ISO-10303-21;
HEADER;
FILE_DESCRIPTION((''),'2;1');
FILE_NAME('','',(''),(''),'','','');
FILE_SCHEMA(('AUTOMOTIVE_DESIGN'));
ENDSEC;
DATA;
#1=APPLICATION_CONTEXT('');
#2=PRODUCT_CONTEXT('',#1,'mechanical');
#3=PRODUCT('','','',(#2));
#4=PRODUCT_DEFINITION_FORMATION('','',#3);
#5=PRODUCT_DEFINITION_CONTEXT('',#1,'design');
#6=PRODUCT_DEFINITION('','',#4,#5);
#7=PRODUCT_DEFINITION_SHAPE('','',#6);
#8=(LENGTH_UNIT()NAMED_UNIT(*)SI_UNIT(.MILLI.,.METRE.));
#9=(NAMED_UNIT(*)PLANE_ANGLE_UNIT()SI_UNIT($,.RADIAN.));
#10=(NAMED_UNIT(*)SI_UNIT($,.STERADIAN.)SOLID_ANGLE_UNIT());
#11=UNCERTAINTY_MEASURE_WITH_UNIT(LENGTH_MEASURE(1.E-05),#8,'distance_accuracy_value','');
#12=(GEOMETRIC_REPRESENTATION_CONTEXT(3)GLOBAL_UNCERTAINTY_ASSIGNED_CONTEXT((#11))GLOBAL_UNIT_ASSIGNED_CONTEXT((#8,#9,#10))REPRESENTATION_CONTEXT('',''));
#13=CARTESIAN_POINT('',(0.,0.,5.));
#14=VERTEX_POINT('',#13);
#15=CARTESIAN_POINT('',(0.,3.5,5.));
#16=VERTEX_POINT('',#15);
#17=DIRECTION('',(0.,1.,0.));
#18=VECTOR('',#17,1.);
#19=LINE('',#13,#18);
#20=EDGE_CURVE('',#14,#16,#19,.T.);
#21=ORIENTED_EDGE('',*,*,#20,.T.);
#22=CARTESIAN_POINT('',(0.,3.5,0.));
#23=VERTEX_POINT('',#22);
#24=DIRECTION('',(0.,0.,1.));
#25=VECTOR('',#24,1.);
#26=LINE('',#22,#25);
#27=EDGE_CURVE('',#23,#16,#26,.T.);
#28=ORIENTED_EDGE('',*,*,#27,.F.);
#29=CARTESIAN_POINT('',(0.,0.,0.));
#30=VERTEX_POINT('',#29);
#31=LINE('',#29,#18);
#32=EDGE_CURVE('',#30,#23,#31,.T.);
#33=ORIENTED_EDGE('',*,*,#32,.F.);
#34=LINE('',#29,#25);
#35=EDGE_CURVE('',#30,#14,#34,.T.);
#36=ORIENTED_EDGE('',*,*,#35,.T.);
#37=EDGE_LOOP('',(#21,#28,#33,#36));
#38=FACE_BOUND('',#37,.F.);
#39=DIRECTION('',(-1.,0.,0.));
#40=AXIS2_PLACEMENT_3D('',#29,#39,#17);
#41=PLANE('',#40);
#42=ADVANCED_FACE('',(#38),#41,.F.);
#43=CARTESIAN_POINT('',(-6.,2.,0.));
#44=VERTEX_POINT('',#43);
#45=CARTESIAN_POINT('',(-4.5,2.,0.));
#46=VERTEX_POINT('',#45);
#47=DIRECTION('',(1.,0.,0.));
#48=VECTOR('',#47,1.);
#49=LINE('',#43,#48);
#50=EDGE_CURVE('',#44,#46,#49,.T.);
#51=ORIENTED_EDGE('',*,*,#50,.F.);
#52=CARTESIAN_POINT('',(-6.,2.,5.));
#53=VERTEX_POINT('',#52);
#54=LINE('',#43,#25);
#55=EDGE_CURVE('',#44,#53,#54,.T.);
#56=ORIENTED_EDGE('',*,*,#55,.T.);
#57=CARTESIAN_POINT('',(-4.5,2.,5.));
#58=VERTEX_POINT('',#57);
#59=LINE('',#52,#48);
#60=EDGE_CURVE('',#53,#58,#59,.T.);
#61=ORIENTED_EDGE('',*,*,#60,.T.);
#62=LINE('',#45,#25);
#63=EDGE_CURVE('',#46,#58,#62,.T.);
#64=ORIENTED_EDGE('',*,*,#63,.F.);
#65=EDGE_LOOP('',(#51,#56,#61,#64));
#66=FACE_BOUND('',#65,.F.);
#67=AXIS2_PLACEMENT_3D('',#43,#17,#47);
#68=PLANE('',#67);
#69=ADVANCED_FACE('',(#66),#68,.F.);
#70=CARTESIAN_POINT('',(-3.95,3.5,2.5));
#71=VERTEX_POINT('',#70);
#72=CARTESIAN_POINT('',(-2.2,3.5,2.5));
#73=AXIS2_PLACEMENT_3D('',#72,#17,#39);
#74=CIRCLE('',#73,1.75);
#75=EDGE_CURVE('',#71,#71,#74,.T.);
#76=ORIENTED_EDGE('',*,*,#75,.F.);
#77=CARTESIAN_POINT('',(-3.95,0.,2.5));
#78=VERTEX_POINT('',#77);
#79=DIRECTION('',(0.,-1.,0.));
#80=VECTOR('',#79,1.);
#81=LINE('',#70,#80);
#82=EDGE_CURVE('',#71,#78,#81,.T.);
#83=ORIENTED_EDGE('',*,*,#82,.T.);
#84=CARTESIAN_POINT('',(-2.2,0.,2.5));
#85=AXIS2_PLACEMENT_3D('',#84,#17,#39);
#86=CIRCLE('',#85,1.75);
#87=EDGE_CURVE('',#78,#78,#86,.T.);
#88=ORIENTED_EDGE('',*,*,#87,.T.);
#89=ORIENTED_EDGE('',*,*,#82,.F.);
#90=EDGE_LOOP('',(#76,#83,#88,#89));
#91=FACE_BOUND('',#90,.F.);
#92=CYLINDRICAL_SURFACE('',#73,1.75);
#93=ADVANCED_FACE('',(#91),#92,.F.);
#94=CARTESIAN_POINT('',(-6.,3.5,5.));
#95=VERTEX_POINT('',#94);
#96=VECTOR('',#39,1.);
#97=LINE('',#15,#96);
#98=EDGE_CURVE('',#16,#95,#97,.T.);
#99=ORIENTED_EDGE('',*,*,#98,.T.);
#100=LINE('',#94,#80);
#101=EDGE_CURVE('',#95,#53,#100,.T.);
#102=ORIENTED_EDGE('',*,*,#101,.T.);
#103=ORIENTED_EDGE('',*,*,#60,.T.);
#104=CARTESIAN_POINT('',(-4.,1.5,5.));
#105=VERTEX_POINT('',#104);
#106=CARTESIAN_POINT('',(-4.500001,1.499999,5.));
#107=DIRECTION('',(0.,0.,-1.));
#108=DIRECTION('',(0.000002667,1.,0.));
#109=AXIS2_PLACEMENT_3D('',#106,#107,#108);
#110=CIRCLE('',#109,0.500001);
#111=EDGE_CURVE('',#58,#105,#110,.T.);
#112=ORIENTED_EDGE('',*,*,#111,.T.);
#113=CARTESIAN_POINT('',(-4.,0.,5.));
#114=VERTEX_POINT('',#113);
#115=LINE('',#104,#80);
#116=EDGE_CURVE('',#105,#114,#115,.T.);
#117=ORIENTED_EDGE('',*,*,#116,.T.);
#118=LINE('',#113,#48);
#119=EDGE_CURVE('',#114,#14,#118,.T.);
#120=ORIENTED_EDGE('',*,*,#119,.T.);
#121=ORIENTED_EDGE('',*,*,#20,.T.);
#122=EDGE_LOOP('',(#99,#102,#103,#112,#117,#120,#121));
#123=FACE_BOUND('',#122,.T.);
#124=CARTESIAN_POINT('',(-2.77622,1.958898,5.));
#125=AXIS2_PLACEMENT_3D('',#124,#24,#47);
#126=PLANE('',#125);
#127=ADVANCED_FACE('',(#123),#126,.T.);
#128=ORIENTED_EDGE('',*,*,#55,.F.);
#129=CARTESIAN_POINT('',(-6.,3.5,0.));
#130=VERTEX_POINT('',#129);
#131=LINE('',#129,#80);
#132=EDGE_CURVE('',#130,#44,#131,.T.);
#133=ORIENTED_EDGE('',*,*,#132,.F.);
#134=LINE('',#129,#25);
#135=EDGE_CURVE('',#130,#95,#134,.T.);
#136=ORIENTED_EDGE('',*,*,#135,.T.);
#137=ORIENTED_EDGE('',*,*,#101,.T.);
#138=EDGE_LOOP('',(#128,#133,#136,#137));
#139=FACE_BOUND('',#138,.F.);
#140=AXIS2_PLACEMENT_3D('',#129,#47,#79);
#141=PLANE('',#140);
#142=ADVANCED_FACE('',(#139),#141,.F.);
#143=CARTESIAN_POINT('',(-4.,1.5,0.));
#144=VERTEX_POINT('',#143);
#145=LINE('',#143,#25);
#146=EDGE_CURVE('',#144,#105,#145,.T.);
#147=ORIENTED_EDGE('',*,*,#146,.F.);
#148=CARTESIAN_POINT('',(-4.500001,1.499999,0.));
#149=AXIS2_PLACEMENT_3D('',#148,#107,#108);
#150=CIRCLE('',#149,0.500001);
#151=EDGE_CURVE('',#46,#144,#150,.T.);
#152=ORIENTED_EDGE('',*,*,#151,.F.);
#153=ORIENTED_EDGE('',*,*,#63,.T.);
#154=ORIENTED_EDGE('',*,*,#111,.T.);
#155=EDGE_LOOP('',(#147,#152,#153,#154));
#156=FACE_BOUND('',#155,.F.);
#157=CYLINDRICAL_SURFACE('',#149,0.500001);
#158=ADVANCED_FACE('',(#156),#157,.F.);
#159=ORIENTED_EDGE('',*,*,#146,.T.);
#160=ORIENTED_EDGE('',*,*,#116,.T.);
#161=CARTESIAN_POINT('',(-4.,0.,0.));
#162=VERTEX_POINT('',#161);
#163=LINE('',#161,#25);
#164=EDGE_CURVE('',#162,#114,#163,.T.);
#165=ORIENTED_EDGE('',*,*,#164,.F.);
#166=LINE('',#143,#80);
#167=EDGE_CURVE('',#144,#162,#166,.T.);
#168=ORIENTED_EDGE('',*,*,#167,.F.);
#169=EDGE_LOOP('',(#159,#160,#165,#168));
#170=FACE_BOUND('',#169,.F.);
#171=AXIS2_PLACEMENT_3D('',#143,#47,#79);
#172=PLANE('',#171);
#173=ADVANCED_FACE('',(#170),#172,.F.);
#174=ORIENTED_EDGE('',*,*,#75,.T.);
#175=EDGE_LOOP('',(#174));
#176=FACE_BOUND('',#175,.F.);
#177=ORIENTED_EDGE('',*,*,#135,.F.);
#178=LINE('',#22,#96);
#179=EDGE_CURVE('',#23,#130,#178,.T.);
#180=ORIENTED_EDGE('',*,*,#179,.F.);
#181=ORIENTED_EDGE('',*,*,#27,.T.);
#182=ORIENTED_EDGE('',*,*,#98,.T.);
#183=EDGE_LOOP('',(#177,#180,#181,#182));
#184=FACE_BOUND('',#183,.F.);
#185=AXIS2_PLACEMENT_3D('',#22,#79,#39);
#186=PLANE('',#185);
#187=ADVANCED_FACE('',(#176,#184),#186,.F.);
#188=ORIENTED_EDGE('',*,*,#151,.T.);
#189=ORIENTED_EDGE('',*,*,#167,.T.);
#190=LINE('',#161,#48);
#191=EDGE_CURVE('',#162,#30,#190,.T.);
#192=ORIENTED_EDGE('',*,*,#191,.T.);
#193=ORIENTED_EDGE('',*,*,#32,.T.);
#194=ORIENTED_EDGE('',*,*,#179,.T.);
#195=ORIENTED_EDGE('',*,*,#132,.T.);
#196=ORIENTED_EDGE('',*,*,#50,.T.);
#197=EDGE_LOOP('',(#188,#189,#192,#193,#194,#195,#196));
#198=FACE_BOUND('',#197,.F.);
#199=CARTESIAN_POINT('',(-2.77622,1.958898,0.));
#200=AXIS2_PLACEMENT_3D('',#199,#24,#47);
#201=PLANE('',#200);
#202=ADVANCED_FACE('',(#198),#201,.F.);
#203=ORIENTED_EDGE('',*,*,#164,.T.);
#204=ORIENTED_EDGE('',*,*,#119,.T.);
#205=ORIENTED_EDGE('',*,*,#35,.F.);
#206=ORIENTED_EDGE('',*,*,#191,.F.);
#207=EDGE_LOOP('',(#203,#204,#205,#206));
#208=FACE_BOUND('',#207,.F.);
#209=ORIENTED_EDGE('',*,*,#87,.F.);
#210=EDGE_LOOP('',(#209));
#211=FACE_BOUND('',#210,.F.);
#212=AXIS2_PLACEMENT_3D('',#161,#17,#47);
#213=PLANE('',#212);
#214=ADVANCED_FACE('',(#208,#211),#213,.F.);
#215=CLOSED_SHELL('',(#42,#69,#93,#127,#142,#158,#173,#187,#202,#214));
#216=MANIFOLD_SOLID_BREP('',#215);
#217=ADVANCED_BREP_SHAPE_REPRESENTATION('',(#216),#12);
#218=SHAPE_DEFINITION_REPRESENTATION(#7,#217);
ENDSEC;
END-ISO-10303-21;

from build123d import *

# Parameters (mm, degrees)
F1_DEPTH = 5
F2_R     = 1.75
F3_DEPTH = 25


with BuildPart() as f1:
    # F0 (on Top) → F1 (new body)
    with BuildSketch(Plane.XY):
        with BuildLine():
            Line((-4, 0), (0, 0))
            Line((0, 0), (0, 3.5))
            Line((0, 3.5), (-6, 3.5))
            Line((-6, 3.5), (-6, 2))
            Line((-6, 2), (-4.5, 2))
            ThreePointArc((-4.5, 2), (-4.146447, 1.853553), (-4, 1.5))
            Line((-4, 1.5), (-4, 0))
        make_face()
    extrude(amount=F1_DEPTH)

    # F2 (on face) → F3 (cut)
    with BuildSketch(Plane(origin=(0, 3.5, 0), x_dir=(-1, 0, 0), z_dir=(0, 1, 0))):
        with Locations((2.2, 2.5)):
            Circle(F2_R)
    extrude(amount=-F3_DEPTH, mode=Mode.SUBTRACT)


solid = f1.part
